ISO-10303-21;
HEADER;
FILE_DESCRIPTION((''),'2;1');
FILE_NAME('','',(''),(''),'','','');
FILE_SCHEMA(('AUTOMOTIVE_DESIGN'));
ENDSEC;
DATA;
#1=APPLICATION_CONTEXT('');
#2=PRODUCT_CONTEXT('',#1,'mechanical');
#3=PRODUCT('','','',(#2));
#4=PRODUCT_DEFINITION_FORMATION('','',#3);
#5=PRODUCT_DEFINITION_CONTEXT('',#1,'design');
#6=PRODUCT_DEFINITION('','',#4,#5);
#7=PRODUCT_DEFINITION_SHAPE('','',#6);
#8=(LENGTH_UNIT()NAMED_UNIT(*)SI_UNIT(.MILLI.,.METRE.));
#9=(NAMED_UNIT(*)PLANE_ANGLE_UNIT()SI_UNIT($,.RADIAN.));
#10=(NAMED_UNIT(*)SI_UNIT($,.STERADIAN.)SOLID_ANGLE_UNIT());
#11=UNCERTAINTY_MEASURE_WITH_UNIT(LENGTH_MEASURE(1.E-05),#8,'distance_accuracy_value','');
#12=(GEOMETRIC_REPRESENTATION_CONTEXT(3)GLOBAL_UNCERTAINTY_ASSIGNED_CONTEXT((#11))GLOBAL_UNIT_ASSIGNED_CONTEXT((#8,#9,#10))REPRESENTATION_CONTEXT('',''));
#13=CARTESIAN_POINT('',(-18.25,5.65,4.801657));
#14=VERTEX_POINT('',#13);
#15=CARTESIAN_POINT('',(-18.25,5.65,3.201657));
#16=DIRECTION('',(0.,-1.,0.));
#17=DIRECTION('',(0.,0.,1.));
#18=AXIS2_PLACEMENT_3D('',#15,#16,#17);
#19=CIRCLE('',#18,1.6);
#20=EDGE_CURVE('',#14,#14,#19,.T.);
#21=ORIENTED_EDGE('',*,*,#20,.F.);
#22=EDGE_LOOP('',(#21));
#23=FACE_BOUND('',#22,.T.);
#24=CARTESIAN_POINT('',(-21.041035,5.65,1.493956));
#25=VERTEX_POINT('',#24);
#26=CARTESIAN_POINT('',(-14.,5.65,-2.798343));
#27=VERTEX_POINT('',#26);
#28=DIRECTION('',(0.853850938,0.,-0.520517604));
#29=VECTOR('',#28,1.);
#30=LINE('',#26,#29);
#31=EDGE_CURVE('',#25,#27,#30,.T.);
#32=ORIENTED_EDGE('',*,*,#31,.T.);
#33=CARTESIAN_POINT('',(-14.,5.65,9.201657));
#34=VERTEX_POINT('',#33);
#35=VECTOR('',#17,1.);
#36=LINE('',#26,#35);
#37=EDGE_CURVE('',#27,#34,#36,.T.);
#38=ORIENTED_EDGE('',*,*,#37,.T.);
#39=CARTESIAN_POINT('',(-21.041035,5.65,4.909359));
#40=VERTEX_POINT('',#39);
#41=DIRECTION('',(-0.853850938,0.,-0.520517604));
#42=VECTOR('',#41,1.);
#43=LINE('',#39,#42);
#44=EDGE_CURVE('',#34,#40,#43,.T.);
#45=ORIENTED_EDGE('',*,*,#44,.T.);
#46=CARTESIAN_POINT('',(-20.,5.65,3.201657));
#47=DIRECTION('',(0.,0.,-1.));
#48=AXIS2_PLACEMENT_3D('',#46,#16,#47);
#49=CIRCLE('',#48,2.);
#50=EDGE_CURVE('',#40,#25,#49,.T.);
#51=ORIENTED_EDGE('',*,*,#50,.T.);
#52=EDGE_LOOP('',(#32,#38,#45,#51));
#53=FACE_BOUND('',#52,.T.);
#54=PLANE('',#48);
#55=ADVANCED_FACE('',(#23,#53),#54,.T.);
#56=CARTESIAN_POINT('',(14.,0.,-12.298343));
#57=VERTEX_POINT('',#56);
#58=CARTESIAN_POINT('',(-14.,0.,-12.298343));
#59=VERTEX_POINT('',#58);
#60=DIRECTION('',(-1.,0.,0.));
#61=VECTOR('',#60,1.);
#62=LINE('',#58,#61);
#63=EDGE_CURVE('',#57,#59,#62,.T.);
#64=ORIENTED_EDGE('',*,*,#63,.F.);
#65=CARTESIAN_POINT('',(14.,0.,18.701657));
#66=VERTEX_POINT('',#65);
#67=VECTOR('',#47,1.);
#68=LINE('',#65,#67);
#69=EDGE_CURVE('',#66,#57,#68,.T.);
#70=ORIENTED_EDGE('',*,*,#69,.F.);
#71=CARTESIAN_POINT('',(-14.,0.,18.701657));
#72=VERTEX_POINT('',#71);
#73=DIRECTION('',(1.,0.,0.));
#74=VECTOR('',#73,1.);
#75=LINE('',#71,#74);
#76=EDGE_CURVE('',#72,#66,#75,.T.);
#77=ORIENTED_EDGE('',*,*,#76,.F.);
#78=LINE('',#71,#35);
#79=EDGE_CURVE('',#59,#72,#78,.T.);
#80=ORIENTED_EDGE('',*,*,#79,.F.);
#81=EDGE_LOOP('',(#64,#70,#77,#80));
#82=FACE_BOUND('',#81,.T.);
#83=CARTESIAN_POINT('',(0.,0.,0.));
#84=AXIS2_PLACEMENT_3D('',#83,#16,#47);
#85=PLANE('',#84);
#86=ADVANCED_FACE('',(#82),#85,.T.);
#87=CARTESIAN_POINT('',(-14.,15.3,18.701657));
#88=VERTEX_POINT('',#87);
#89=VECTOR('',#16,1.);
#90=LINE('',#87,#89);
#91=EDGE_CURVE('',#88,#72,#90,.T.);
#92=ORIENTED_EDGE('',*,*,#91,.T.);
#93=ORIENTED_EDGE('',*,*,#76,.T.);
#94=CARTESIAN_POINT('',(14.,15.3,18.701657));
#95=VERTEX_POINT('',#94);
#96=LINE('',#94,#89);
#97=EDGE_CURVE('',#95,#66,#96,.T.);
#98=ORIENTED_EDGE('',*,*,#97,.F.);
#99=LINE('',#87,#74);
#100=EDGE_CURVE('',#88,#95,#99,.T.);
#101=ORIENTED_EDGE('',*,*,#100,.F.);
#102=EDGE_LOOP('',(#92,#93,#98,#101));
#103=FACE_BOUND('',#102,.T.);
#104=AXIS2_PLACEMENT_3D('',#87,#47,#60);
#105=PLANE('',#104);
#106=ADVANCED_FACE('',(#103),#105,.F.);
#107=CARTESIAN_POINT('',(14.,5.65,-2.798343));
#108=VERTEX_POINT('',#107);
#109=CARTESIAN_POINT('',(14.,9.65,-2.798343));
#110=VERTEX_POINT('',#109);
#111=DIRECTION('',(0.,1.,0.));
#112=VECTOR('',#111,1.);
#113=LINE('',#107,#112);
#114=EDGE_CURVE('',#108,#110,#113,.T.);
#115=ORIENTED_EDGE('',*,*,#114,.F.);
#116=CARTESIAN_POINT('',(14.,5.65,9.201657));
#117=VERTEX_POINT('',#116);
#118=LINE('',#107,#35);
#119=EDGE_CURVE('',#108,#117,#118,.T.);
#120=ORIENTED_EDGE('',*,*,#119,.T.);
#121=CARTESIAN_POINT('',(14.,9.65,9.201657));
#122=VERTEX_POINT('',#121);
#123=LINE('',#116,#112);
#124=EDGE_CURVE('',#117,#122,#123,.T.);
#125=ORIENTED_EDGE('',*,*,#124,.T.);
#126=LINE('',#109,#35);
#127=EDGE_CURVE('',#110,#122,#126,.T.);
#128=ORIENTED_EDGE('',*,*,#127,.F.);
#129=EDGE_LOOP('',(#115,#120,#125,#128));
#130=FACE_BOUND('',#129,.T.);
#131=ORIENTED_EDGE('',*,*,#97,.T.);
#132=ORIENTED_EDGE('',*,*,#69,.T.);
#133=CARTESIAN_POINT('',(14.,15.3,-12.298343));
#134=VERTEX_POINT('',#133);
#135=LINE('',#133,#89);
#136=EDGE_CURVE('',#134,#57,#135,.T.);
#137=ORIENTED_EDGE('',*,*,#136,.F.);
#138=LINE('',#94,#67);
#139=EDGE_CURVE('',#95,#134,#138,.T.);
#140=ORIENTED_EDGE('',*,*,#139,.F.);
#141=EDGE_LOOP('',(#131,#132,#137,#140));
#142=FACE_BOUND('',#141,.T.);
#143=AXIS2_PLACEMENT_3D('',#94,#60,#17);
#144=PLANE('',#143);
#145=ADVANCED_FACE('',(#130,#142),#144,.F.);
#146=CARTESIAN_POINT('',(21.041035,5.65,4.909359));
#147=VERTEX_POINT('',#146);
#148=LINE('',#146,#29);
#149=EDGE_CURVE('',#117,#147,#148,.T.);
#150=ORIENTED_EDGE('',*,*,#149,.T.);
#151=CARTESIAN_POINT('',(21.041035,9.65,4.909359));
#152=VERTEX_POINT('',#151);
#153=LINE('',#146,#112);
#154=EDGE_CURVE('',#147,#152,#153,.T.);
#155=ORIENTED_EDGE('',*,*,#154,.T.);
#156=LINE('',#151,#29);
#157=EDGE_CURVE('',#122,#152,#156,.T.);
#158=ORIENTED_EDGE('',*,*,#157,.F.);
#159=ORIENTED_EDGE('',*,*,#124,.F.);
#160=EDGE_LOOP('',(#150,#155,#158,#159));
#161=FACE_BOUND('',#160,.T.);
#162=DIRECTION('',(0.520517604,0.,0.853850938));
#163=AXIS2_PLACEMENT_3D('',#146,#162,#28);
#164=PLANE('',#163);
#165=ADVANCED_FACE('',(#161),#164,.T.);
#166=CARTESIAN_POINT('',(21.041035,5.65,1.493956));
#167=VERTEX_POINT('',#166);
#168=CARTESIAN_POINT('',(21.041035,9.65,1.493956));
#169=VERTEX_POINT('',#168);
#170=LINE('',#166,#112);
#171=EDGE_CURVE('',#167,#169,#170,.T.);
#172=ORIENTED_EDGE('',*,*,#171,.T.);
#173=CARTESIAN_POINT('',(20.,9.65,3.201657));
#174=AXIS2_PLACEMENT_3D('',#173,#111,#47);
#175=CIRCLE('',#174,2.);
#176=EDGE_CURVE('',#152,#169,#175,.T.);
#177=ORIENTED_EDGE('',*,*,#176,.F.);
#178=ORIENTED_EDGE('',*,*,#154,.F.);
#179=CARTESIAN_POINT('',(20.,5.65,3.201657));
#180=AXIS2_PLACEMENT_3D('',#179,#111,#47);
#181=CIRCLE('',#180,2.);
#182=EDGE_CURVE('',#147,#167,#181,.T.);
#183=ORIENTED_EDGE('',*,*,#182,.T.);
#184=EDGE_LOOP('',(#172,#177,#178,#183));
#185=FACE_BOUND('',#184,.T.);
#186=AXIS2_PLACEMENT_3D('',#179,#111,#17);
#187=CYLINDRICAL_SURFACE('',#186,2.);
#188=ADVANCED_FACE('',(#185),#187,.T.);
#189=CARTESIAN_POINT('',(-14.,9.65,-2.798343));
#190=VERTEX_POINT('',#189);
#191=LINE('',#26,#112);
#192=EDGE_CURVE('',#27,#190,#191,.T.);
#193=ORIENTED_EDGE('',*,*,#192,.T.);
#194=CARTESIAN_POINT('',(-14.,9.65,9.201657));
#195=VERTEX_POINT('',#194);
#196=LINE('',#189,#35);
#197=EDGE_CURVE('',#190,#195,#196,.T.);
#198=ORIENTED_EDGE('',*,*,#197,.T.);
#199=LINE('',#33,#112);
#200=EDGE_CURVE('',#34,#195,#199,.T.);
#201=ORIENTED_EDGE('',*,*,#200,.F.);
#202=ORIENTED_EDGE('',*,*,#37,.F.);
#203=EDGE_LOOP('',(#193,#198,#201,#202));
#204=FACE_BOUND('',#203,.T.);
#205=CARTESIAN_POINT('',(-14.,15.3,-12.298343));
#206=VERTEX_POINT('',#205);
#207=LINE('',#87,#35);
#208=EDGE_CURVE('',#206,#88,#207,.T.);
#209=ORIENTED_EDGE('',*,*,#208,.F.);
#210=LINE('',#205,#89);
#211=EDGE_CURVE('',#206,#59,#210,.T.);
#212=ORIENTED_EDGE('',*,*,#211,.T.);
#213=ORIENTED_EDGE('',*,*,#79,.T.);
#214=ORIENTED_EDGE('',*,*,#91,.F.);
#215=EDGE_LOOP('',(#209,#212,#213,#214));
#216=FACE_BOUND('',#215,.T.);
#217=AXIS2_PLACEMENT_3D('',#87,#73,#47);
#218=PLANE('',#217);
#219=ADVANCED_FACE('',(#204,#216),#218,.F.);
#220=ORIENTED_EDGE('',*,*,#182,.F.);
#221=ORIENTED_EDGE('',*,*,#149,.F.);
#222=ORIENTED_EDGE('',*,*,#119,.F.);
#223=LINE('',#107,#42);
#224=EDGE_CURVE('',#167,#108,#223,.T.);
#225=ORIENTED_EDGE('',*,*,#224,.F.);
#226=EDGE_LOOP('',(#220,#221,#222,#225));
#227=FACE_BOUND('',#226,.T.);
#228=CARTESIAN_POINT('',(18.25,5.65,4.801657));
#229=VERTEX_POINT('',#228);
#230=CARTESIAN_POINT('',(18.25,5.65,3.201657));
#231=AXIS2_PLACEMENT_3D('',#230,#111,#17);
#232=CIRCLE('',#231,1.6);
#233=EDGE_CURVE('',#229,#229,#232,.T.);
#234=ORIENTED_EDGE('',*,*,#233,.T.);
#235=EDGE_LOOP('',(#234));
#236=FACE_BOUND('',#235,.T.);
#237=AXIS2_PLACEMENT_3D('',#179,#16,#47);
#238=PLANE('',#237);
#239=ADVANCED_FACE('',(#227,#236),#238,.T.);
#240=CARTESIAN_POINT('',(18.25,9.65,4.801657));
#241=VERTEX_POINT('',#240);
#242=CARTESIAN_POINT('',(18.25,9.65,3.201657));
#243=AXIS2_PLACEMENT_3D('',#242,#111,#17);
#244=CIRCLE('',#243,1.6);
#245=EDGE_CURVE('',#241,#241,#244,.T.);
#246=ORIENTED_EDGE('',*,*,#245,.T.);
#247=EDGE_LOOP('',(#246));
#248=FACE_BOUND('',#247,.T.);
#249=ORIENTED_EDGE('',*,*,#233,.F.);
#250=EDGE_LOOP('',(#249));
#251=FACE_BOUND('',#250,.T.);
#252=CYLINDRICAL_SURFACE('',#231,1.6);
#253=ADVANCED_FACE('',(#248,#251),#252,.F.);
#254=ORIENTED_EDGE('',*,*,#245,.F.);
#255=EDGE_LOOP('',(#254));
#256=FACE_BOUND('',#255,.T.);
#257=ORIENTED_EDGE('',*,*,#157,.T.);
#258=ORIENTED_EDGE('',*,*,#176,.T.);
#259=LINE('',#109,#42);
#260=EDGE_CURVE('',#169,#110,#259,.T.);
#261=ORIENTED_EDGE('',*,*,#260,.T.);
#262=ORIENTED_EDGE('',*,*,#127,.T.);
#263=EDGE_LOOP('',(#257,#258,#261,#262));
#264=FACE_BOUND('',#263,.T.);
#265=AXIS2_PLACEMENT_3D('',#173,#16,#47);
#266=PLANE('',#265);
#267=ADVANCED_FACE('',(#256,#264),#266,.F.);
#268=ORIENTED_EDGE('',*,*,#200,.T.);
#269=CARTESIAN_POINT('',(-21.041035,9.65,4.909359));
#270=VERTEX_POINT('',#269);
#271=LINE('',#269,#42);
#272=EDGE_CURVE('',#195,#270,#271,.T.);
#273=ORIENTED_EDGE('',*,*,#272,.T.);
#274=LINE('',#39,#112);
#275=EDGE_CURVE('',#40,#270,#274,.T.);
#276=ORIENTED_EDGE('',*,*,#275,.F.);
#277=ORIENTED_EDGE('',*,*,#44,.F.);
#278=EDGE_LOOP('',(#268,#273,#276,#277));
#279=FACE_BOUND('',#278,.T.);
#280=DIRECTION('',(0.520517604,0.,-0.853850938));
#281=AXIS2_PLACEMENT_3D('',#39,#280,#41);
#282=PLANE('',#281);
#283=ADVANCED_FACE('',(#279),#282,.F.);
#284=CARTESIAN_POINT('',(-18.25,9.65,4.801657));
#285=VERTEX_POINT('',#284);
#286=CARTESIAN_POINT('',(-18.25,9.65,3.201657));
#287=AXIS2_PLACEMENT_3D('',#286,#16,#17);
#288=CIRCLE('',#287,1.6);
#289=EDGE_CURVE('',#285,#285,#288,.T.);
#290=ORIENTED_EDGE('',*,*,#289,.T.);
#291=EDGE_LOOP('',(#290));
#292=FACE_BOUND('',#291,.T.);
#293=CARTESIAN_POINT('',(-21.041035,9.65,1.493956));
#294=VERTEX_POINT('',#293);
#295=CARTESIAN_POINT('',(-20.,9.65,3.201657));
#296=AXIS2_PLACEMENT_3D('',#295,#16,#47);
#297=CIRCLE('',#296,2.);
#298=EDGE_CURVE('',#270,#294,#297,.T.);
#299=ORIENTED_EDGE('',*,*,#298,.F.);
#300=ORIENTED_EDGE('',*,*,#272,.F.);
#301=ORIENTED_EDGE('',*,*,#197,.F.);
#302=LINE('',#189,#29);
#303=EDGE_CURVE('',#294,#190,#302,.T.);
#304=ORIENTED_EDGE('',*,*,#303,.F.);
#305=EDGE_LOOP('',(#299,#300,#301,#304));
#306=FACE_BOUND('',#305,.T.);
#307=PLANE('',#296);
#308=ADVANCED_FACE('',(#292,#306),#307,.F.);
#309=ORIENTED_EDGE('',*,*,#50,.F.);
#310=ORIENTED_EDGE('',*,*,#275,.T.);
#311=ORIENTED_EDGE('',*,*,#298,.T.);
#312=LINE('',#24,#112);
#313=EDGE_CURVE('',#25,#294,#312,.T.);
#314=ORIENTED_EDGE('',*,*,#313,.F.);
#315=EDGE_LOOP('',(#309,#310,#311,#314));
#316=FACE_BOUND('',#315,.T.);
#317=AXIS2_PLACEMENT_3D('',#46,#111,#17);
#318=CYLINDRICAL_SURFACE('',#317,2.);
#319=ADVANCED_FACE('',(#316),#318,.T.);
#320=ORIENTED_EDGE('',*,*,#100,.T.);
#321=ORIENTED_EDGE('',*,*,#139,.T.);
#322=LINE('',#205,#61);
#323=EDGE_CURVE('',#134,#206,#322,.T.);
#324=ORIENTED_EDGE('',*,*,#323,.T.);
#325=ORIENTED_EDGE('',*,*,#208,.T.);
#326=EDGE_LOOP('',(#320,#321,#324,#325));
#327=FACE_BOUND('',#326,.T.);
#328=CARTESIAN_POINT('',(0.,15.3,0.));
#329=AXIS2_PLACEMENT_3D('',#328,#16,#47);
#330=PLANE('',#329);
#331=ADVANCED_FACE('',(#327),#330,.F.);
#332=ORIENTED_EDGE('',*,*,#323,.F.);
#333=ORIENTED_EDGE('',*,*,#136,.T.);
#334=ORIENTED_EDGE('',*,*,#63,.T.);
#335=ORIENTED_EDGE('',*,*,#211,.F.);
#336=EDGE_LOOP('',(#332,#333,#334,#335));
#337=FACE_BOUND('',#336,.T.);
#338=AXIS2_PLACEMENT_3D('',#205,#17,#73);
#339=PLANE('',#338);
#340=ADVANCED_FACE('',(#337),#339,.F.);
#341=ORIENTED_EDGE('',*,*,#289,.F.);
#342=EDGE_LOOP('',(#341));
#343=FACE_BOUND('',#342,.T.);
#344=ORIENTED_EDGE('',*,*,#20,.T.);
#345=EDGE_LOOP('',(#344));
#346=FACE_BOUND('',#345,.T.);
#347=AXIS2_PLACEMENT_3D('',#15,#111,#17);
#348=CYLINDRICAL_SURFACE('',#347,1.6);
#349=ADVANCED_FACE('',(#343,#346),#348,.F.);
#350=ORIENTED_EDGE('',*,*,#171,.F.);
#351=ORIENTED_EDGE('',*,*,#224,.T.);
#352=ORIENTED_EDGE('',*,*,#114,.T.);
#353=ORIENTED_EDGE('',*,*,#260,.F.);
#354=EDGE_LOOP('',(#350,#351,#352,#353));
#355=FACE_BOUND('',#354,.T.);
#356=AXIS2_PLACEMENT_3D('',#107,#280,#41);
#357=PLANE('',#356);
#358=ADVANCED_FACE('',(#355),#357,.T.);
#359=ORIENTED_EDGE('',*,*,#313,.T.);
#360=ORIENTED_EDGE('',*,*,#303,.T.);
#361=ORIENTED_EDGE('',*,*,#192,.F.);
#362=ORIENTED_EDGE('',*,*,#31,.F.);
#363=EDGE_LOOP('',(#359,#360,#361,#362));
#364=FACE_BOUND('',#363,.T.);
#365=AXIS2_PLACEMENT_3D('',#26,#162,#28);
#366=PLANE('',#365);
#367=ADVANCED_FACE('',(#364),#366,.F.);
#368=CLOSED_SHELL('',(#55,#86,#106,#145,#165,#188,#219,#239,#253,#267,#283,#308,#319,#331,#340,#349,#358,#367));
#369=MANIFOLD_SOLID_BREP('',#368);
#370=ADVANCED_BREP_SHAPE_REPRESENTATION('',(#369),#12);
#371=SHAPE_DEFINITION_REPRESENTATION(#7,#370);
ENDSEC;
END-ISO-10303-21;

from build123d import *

# Parameters (mm, degrees)
SKETCH_1_W      = 28
SKETCH_1_H      = 31
EXTRUDE_1_DEPTH = 15.3
SKETCH_2_R      = 1.6
EXTRUDE_2_DEPTH = 2


with BuildPart() as part:
    # 草图1 → 凸台-拉伸1 (new body)
    with BuildSketch(Plane(origin=(0, 0, 0), x_dir=(1, 0, 0), z_dir=(0, 1, 0))):
        with Locations((0, -3.201657459)):
            Rectangle(SKETCH_1_W, SKETCH_1_H)
    extrude(amount=EXTRUDE_1_DEPTH)

    # 草图2 → 凸台-拉伸2 (add, symmetric)
    with BuildSketch(Plane(origin=(0, 7.65, 0), x_dir=(1, 0, 0), z_dir=(0, 1, 0))):
        with BuildLine():
            Line((14, 2.798342541), (21.041035209, -1.493955583))
            ThreePointArc((21.041035209, -1.493955583), (22, -3.201657459), (21.041035209, -4.909359334))
            Line((21.041035209, -4.909359334), (14, -9.201657459))
            Line((14, -9.201657459), (14, 2.798342541))
        make_face()
        with Locations(Location((18.25, -3.201657459, 0), (0, 0, 270))):
            Circle(SKETCH_2_R, mode=Mode.SUBTRACT)
    extrude_2 = extrude(amount=EXTRUDE_2_DEPTH, both=True)

    # 镜向1: 凸台-拉伸2 across plane
    add(extrude_2.mirror(Plane(origin=(0, 0, 0), x_dir=(0, 0, 1), z_dir=(1, 0, 0))))


solid = part.part
